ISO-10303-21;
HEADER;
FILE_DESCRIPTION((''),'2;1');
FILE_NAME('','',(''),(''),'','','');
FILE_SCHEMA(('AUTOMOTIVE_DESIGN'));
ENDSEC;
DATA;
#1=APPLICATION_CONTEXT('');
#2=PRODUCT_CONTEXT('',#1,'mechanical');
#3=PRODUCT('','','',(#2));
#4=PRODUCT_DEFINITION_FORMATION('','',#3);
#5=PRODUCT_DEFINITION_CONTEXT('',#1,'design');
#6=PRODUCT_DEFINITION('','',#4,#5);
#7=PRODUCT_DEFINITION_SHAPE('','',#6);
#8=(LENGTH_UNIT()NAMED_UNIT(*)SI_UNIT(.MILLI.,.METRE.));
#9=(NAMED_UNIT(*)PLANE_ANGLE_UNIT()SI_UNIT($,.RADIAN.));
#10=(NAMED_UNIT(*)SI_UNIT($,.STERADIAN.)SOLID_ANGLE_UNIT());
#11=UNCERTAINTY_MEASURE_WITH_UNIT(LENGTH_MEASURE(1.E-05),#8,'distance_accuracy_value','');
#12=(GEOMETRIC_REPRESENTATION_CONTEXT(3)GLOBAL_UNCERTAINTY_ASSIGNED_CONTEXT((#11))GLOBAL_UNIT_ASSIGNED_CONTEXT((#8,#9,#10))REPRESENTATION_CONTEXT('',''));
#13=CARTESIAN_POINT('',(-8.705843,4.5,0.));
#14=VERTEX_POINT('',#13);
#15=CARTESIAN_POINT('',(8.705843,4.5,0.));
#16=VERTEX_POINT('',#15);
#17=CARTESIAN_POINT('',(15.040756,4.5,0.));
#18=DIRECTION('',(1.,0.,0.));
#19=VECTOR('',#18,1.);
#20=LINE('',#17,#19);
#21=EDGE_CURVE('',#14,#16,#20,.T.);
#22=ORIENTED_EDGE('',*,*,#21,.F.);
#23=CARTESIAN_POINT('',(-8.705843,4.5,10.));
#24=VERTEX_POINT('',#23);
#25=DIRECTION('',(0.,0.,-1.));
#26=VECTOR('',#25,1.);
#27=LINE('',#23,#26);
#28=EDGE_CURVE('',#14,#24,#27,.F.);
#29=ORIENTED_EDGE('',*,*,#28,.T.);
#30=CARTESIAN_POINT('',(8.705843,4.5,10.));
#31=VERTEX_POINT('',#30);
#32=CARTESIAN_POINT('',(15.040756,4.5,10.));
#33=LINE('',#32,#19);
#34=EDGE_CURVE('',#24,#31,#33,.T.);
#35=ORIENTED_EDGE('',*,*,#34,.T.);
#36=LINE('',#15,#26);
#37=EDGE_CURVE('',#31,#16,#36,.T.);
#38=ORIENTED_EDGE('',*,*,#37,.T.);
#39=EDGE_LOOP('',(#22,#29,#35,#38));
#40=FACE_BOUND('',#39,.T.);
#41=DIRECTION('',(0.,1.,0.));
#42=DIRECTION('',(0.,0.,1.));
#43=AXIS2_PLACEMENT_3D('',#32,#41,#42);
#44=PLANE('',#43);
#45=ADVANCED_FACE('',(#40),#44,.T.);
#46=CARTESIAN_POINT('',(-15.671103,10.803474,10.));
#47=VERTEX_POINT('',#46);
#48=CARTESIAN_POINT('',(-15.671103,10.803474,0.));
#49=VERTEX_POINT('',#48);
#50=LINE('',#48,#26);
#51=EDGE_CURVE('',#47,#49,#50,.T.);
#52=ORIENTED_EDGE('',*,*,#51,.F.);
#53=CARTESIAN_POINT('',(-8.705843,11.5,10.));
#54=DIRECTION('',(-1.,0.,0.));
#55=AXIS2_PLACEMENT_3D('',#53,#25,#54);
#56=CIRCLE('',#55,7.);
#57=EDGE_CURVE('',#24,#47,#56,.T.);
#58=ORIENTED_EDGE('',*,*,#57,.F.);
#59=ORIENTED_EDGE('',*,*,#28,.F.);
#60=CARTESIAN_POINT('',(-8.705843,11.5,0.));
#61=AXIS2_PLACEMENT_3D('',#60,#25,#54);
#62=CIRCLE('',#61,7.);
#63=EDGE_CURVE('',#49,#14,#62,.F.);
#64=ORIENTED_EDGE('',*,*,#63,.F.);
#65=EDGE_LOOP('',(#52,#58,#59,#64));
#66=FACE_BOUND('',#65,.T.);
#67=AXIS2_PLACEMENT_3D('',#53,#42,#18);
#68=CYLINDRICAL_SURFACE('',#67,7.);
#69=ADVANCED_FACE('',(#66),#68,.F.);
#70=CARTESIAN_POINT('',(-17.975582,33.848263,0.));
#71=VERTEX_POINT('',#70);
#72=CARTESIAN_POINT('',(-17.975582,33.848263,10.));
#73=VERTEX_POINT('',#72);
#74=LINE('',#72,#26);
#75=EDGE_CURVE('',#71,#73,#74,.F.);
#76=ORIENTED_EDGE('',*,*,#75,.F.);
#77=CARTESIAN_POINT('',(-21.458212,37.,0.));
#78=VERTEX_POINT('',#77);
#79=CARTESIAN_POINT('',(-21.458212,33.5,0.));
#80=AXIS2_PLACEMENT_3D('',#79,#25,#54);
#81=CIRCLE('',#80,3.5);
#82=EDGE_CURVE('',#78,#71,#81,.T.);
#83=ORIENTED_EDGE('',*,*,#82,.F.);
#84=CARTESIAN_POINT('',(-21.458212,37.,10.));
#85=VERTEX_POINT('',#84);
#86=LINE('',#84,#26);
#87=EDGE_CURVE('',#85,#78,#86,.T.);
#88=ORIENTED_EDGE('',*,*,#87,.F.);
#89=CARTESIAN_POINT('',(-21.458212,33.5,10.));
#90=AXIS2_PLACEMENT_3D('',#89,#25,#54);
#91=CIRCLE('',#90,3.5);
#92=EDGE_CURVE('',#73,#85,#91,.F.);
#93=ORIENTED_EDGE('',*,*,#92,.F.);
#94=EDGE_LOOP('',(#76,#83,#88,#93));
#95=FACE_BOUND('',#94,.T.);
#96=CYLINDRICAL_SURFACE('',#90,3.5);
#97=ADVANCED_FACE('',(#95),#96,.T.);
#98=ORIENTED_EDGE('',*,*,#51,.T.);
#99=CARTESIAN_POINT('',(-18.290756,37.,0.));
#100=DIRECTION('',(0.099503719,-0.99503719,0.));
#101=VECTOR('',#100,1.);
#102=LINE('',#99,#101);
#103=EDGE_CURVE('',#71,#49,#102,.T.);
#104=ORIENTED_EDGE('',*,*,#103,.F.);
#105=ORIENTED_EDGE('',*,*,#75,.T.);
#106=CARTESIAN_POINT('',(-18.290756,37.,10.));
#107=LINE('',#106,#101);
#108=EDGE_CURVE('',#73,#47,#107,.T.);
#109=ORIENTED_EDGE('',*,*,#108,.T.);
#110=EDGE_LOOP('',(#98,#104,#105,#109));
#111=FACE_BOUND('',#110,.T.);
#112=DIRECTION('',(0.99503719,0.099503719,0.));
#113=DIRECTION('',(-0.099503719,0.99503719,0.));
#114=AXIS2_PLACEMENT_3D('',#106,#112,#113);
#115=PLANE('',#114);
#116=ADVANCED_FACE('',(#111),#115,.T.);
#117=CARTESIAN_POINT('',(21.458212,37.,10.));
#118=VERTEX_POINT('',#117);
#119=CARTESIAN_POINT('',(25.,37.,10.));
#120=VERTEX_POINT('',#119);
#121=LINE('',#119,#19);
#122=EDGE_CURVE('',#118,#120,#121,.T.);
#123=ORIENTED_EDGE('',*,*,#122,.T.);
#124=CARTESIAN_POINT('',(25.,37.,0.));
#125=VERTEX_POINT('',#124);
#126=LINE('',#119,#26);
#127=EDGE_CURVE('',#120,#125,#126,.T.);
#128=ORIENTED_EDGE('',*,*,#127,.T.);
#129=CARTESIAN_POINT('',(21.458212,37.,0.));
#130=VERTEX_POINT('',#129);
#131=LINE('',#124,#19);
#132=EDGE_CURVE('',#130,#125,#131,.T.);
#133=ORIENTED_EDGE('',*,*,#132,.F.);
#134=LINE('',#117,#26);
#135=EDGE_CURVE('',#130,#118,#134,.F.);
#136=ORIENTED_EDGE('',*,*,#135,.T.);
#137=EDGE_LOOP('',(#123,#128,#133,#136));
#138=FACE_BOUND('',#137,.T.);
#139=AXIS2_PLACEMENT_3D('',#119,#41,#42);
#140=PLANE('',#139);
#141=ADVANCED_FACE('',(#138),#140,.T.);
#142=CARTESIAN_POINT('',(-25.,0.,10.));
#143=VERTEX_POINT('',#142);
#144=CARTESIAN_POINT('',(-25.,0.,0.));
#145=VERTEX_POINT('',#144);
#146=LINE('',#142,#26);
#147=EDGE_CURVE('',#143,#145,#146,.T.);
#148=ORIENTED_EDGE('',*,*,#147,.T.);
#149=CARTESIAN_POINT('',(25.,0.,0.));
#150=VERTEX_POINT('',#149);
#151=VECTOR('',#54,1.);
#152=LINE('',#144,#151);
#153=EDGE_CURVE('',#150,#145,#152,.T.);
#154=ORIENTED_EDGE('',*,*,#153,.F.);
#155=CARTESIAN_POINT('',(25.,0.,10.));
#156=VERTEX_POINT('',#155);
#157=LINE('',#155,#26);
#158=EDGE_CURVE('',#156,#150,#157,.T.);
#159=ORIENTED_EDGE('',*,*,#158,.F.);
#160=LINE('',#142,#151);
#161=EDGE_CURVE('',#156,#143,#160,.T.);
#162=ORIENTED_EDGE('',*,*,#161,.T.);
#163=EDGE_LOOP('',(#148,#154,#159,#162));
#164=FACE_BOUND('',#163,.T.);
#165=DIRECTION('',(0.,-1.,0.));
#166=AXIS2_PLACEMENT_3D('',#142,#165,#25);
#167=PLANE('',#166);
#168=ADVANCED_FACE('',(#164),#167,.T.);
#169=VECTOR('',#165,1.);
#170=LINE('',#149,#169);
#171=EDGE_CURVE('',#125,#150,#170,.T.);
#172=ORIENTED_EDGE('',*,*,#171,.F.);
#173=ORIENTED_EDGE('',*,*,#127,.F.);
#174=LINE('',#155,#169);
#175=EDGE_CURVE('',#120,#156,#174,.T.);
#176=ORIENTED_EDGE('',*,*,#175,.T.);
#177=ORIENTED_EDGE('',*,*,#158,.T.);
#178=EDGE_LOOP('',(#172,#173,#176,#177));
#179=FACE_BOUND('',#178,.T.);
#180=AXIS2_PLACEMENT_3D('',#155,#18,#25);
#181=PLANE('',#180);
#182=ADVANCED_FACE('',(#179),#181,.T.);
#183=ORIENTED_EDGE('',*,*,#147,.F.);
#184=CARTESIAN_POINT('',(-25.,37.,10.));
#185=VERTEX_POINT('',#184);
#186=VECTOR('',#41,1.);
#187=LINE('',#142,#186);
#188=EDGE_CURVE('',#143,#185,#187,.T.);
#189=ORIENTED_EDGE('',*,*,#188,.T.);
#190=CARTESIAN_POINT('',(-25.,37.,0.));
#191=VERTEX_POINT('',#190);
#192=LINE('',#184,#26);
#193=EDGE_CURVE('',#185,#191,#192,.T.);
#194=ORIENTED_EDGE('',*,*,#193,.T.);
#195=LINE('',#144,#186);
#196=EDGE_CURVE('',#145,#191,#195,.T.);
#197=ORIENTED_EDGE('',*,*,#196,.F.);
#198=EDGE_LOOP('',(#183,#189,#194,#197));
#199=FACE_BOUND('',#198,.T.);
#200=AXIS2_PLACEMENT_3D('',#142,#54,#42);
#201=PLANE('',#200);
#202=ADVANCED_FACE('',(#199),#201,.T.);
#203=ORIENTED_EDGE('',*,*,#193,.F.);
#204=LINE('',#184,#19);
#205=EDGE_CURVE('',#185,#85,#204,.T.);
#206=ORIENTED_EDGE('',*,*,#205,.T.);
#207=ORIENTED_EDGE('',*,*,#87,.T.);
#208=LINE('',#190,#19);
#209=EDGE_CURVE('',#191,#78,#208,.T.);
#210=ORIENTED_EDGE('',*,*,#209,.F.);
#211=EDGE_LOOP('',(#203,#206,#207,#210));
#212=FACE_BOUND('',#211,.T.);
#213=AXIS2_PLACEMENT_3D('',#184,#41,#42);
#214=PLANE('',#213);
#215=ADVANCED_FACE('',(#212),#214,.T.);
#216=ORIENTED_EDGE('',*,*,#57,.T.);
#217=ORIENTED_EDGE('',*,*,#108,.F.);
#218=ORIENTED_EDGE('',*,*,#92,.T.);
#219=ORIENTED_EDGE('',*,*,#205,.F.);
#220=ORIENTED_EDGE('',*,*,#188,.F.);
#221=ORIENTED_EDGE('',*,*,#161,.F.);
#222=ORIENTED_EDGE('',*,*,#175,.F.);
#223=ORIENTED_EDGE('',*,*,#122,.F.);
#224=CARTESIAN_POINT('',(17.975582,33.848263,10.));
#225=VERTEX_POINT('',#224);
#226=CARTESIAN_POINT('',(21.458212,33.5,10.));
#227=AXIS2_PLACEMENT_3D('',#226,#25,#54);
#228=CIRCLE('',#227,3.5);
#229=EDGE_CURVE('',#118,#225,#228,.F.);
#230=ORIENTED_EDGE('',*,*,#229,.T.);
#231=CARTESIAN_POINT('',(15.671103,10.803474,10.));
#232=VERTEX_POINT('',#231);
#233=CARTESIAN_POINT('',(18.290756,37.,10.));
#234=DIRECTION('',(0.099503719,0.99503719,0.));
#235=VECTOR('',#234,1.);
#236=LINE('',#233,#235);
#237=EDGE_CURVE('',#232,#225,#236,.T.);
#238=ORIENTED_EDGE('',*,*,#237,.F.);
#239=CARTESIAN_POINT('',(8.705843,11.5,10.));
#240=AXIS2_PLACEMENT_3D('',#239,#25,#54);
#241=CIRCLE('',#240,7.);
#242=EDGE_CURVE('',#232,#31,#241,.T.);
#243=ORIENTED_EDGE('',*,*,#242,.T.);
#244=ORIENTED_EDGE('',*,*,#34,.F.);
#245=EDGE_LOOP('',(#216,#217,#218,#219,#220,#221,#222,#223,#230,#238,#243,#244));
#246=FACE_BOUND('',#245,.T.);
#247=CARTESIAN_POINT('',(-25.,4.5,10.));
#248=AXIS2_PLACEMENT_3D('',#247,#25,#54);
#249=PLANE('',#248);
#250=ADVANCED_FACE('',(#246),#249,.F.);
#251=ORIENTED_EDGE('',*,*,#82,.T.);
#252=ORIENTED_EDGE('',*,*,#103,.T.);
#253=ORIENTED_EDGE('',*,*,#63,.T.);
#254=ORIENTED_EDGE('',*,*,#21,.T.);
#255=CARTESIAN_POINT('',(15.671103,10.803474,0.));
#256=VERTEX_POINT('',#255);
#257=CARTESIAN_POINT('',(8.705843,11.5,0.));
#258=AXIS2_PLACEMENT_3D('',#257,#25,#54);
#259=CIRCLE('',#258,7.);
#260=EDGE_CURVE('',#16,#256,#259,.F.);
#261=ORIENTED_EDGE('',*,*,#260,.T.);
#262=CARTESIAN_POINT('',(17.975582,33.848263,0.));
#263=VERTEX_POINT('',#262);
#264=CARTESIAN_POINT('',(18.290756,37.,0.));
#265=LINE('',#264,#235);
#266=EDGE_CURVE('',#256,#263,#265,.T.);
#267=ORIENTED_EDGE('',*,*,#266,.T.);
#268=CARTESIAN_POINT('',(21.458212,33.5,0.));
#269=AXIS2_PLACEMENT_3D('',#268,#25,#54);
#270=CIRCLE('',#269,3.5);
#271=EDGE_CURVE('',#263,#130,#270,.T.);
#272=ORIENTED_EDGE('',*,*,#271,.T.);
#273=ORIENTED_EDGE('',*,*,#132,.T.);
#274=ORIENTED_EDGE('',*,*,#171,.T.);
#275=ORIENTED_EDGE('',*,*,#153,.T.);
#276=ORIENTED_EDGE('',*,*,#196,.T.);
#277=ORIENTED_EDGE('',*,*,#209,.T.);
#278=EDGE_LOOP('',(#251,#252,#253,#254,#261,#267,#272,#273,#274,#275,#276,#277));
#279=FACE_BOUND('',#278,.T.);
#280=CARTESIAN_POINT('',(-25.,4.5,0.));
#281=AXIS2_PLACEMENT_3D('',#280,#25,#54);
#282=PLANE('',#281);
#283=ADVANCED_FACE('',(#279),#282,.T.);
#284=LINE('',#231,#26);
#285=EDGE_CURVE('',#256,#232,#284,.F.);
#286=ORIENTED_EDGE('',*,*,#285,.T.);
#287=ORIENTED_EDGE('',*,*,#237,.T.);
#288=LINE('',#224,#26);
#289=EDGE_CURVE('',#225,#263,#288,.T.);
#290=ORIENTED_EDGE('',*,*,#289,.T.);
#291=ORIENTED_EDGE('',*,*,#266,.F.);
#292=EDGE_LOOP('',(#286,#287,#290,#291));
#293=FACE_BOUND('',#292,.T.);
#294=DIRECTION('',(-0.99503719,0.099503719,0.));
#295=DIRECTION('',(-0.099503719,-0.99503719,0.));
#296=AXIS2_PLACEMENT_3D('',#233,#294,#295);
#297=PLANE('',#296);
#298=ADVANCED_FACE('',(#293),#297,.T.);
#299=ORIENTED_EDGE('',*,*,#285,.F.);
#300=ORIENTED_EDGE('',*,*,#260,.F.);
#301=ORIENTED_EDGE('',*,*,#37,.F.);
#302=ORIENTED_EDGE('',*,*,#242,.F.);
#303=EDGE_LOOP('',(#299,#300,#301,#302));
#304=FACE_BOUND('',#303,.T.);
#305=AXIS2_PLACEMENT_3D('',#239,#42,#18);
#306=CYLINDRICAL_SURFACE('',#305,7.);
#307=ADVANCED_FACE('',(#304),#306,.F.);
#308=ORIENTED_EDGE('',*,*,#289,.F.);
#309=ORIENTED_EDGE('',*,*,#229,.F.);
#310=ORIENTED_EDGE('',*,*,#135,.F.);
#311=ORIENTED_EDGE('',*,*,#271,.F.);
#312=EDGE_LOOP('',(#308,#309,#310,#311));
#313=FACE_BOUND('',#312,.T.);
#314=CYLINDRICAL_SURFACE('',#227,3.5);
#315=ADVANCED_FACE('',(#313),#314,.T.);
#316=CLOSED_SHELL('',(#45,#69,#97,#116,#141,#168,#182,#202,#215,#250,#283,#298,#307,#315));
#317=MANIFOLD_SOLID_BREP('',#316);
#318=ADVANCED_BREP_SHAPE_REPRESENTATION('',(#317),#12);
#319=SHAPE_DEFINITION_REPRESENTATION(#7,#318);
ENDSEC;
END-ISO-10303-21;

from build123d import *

# Parameters (mm, degrees)
EXTRUDE_1_DEPTH = 10
FILLET_1_R      = 3.5
FILLET_2_R      = 7


with BuildPart() as part:
    # 草图1 → 凸台-拉伸1 (new body)
    with BuildSketch(Plane(origin=(0, 0, 0), x_dir=(-1, 0, 0), z_dir=(0, 0, -1))):
        Polygon((25, 0), (-25, 0), (-25, 37), (-18.290755601, 37), (-15.040755601, 4.5), (15.040755601, 4.5), (18.290755601, 37), (25, 37), align=None)
    extrude(amount=-EXTRUDE_1_DEPTH)

    # 圆角1
    fillet_1_edges = [part.edges().sort_by_distance(p)[0] for p in [
        (-18.290755601, 37, 5),
        (18.290755601, 37, 5),
    ]]
    fillet(fillet_1_edges, radius=FILLET_1_R)

    # 圆角2
    fillet_2_edges = [part.edges().sort_by_distance(p)[0] for p in [
        (-15.040755601, 4.5, 5),
        (15.040755601, 4.5, 5),
    ]]
    fillet(fillet_2_edges, radius=FILLET_2_R)


solid = part.part
